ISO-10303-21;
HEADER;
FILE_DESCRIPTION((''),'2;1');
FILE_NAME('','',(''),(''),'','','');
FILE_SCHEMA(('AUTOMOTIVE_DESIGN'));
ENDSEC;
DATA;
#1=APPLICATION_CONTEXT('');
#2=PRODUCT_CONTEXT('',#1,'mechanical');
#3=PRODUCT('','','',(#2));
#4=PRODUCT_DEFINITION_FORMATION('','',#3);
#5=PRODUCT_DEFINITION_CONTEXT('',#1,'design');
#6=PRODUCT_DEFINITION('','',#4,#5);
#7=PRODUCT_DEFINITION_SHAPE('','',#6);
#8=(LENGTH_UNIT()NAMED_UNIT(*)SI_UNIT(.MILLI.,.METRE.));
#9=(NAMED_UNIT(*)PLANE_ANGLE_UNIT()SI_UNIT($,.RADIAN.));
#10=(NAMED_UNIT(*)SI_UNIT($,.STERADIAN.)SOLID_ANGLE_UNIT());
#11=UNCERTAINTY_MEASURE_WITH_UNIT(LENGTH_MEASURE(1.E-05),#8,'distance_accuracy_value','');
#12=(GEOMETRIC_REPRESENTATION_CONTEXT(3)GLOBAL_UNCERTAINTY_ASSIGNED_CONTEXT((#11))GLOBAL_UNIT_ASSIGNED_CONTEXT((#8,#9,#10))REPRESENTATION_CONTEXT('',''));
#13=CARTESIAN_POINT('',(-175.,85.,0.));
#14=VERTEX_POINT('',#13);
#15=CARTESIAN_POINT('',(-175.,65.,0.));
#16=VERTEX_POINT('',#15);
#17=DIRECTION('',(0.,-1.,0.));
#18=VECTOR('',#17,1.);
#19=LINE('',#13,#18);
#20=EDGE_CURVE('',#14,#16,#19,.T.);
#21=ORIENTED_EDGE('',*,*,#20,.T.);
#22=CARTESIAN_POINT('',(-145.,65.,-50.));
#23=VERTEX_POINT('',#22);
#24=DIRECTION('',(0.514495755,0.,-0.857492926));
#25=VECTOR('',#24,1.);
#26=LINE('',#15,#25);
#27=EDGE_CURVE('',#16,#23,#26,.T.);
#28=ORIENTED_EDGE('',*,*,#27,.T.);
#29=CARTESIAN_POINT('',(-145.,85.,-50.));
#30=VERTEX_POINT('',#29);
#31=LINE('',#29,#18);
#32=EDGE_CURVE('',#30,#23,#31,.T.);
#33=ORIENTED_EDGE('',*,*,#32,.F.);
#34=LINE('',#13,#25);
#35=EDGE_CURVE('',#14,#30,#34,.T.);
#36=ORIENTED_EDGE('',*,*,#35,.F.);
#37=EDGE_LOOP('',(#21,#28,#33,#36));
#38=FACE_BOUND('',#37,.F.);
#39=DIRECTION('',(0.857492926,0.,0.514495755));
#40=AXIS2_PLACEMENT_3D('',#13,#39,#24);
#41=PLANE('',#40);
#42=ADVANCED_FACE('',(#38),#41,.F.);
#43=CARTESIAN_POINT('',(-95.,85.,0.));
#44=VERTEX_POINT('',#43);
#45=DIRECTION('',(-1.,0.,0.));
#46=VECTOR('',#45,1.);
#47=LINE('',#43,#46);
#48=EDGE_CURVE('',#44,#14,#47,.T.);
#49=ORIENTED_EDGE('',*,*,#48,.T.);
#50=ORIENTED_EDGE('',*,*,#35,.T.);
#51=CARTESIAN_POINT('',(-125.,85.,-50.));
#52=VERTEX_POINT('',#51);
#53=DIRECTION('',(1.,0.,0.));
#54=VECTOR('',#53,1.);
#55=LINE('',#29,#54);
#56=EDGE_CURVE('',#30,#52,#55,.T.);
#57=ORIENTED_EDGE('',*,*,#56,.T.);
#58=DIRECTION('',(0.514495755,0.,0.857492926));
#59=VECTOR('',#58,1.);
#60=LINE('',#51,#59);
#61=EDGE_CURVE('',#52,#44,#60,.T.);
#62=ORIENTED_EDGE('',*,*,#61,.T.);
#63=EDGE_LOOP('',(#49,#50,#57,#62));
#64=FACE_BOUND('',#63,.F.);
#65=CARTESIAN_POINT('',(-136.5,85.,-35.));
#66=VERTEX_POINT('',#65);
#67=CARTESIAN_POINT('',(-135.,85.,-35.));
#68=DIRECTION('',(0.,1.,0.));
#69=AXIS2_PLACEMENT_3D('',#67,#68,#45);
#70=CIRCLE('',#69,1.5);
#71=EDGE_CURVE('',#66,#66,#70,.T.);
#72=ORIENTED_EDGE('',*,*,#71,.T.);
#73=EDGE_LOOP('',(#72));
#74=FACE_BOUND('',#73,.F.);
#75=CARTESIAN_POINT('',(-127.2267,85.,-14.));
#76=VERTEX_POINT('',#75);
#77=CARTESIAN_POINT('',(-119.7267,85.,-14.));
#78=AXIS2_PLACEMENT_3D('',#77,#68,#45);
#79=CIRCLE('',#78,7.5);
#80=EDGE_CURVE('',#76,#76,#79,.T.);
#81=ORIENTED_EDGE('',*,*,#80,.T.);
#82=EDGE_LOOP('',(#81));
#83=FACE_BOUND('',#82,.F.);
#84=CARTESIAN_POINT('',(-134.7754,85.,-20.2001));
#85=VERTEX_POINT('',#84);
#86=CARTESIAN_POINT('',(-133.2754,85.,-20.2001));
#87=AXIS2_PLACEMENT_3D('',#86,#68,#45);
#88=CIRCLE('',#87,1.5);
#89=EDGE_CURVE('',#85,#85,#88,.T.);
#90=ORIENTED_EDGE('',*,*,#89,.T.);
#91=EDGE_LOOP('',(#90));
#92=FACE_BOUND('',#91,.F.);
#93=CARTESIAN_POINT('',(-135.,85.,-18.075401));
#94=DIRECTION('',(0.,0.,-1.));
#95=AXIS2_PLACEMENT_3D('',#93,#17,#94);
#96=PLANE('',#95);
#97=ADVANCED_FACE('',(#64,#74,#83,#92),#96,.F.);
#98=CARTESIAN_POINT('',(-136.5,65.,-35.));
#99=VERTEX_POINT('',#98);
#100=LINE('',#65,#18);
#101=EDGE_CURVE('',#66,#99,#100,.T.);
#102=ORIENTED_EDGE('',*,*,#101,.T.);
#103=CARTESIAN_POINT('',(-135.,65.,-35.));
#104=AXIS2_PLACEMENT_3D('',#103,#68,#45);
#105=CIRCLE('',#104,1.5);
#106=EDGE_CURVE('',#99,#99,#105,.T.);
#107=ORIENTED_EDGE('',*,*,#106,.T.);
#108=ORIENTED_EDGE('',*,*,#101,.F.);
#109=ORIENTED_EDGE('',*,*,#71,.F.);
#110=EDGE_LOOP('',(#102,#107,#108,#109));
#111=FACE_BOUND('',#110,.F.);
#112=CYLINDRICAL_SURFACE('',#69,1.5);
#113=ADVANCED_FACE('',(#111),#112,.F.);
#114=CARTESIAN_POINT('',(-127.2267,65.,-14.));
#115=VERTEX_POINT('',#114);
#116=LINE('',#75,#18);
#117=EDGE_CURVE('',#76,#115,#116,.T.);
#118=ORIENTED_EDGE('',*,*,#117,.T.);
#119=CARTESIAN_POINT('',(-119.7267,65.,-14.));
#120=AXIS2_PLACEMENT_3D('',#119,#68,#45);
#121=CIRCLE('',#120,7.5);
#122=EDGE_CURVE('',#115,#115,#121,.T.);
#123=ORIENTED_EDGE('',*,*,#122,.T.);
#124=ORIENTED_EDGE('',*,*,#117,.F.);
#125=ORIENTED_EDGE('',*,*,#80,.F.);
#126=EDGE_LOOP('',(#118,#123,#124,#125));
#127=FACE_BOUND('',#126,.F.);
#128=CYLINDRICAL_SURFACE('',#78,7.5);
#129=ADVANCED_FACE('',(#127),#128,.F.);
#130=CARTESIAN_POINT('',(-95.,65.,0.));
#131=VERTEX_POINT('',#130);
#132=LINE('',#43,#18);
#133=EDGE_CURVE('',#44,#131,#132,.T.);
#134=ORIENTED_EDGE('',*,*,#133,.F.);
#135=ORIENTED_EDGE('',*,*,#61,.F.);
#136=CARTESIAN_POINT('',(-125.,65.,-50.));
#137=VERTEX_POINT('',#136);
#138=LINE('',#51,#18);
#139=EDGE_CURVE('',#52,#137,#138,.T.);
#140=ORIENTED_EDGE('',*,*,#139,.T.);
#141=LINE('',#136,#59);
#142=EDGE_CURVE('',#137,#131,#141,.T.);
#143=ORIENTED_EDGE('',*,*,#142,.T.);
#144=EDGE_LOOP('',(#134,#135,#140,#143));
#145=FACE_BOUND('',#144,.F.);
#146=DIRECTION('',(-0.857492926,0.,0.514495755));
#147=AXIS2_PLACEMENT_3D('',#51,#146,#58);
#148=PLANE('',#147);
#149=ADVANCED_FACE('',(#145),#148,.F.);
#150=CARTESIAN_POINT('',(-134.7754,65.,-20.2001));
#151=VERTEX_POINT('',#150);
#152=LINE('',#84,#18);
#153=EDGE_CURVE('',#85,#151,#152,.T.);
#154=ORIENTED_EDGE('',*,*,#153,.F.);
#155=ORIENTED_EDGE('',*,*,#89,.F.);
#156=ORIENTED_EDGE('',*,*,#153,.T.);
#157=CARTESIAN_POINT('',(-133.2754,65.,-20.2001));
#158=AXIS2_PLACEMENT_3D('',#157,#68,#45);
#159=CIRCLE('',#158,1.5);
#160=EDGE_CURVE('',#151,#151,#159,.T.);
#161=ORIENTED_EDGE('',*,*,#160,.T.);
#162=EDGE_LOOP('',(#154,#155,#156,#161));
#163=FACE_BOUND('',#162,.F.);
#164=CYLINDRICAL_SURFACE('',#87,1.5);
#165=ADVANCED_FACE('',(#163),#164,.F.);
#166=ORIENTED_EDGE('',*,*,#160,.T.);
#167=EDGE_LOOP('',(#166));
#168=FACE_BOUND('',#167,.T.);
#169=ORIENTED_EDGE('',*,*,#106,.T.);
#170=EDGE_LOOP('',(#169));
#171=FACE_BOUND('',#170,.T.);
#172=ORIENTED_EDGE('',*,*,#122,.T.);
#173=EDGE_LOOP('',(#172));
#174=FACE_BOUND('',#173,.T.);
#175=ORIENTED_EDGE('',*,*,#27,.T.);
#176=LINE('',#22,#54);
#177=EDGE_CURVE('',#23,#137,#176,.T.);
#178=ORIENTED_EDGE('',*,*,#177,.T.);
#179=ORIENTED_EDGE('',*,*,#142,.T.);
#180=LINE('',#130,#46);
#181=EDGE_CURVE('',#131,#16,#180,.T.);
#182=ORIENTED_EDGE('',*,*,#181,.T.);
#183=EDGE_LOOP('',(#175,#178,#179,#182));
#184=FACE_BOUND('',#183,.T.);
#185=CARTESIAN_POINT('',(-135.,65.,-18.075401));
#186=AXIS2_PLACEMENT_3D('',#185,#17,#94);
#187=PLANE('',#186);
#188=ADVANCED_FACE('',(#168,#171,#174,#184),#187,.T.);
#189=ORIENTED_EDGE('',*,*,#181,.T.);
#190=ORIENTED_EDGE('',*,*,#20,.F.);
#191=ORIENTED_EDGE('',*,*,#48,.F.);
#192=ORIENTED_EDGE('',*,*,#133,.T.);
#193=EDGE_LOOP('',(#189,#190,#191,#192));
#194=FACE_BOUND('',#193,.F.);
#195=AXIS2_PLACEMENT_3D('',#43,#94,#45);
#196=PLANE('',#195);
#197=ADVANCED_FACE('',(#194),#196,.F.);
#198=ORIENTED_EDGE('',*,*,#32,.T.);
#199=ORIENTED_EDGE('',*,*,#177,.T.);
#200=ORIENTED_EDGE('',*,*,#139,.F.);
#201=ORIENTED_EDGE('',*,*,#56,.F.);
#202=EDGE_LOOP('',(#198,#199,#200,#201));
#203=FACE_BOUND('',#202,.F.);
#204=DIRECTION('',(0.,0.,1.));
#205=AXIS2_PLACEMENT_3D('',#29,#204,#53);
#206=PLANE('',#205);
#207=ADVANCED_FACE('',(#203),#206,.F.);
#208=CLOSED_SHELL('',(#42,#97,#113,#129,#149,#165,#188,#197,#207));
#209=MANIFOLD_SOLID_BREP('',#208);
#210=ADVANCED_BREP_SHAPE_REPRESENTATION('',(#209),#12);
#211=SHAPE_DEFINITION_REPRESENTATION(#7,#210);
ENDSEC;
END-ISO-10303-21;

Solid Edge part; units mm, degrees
sketch "Sketch1" plane through (0, 85, 0) normal (0, 1, 0) x (-1, 0, 0)
  line L0 (175, 0) -> (145, -50)
  line L1 (145, -50) -> (125, -50)
  line L2 (125, -50) -> (95, 0)
  line L3 (95, 0) -> (175, 0)
  circle A0 centre (119.7267, -14) radius 7.5
  circle A1 centre (133.2754, -20.2001) radius 1.5
  circle A2 centre (135, -35) radius 1.5
extrude "Extrusionsausprägung_1" add sketch "Sketch1" against normal blind 20
properties material "(None)"
